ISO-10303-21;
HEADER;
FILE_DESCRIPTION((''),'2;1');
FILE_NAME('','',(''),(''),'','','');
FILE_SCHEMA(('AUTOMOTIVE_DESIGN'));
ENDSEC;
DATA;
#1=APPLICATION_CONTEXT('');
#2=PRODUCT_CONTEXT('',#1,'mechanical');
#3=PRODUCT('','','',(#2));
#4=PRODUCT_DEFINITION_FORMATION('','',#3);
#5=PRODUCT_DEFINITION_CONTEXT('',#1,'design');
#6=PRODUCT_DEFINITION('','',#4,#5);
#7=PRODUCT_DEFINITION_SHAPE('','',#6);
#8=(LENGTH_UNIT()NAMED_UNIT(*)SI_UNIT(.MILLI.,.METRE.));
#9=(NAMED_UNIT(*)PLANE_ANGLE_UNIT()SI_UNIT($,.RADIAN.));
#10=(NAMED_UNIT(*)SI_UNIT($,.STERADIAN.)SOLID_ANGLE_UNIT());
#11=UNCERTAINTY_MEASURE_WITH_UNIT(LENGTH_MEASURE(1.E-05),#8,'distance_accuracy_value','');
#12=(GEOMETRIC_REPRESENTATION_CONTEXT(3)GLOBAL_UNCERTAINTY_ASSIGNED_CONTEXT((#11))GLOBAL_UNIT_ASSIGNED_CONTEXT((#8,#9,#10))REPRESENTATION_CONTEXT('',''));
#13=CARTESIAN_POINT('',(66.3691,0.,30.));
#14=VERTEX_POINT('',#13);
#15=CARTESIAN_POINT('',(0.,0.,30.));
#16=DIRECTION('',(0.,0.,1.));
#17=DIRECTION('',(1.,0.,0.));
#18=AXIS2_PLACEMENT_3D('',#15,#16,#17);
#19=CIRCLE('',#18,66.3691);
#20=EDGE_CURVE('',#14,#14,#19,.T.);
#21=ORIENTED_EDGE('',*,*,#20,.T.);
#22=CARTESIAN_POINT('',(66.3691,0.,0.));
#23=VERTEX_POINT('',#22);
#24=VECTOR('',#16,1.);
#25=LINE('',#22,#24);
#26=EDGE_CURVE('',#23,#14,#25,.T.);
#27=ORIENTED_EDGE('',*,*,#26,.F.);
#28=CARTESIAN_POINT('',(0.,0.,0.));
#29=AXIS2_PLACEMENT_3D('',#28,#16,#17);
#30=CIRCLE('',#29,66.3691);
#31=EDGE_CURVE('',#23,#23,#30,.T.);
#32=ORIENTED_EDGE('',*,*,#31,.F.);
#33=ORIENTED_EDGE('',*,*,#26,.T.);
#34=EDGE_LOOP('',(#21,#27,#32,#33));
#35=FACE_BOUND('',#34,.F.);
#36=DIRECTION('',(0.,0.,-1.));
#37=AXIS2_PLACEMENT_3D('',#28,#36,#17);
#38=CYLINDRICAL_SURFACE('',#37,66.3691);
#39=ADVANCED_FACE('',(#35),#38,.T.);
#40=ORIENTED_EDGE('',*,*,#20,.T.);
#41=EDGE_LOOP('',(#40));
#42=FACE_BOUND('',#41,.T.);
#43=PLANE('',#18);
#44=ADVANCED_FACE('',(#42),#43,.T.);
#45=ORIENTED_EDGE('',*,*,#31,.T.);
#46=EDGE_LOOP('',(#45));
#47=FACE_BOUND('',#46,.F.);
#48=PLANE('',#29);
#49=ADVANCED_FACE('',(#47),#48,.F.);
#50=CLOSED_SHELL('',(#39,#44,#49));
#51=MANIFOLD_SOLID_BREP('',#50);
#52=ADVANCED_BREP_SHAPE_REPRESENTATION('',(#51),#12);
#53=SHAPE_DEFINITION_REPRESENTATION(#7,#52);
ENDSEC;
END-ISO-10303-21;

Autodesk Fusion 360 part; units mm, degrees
sketch "Sketch1" plane through (0, 0, 0) normal (0, 0, 1) x (1, 0, 0)
  circle A0 centre (0, 0) radius 66.3691
extrude "Extrude1" add sketch "Sketch1" along normal blind 30
